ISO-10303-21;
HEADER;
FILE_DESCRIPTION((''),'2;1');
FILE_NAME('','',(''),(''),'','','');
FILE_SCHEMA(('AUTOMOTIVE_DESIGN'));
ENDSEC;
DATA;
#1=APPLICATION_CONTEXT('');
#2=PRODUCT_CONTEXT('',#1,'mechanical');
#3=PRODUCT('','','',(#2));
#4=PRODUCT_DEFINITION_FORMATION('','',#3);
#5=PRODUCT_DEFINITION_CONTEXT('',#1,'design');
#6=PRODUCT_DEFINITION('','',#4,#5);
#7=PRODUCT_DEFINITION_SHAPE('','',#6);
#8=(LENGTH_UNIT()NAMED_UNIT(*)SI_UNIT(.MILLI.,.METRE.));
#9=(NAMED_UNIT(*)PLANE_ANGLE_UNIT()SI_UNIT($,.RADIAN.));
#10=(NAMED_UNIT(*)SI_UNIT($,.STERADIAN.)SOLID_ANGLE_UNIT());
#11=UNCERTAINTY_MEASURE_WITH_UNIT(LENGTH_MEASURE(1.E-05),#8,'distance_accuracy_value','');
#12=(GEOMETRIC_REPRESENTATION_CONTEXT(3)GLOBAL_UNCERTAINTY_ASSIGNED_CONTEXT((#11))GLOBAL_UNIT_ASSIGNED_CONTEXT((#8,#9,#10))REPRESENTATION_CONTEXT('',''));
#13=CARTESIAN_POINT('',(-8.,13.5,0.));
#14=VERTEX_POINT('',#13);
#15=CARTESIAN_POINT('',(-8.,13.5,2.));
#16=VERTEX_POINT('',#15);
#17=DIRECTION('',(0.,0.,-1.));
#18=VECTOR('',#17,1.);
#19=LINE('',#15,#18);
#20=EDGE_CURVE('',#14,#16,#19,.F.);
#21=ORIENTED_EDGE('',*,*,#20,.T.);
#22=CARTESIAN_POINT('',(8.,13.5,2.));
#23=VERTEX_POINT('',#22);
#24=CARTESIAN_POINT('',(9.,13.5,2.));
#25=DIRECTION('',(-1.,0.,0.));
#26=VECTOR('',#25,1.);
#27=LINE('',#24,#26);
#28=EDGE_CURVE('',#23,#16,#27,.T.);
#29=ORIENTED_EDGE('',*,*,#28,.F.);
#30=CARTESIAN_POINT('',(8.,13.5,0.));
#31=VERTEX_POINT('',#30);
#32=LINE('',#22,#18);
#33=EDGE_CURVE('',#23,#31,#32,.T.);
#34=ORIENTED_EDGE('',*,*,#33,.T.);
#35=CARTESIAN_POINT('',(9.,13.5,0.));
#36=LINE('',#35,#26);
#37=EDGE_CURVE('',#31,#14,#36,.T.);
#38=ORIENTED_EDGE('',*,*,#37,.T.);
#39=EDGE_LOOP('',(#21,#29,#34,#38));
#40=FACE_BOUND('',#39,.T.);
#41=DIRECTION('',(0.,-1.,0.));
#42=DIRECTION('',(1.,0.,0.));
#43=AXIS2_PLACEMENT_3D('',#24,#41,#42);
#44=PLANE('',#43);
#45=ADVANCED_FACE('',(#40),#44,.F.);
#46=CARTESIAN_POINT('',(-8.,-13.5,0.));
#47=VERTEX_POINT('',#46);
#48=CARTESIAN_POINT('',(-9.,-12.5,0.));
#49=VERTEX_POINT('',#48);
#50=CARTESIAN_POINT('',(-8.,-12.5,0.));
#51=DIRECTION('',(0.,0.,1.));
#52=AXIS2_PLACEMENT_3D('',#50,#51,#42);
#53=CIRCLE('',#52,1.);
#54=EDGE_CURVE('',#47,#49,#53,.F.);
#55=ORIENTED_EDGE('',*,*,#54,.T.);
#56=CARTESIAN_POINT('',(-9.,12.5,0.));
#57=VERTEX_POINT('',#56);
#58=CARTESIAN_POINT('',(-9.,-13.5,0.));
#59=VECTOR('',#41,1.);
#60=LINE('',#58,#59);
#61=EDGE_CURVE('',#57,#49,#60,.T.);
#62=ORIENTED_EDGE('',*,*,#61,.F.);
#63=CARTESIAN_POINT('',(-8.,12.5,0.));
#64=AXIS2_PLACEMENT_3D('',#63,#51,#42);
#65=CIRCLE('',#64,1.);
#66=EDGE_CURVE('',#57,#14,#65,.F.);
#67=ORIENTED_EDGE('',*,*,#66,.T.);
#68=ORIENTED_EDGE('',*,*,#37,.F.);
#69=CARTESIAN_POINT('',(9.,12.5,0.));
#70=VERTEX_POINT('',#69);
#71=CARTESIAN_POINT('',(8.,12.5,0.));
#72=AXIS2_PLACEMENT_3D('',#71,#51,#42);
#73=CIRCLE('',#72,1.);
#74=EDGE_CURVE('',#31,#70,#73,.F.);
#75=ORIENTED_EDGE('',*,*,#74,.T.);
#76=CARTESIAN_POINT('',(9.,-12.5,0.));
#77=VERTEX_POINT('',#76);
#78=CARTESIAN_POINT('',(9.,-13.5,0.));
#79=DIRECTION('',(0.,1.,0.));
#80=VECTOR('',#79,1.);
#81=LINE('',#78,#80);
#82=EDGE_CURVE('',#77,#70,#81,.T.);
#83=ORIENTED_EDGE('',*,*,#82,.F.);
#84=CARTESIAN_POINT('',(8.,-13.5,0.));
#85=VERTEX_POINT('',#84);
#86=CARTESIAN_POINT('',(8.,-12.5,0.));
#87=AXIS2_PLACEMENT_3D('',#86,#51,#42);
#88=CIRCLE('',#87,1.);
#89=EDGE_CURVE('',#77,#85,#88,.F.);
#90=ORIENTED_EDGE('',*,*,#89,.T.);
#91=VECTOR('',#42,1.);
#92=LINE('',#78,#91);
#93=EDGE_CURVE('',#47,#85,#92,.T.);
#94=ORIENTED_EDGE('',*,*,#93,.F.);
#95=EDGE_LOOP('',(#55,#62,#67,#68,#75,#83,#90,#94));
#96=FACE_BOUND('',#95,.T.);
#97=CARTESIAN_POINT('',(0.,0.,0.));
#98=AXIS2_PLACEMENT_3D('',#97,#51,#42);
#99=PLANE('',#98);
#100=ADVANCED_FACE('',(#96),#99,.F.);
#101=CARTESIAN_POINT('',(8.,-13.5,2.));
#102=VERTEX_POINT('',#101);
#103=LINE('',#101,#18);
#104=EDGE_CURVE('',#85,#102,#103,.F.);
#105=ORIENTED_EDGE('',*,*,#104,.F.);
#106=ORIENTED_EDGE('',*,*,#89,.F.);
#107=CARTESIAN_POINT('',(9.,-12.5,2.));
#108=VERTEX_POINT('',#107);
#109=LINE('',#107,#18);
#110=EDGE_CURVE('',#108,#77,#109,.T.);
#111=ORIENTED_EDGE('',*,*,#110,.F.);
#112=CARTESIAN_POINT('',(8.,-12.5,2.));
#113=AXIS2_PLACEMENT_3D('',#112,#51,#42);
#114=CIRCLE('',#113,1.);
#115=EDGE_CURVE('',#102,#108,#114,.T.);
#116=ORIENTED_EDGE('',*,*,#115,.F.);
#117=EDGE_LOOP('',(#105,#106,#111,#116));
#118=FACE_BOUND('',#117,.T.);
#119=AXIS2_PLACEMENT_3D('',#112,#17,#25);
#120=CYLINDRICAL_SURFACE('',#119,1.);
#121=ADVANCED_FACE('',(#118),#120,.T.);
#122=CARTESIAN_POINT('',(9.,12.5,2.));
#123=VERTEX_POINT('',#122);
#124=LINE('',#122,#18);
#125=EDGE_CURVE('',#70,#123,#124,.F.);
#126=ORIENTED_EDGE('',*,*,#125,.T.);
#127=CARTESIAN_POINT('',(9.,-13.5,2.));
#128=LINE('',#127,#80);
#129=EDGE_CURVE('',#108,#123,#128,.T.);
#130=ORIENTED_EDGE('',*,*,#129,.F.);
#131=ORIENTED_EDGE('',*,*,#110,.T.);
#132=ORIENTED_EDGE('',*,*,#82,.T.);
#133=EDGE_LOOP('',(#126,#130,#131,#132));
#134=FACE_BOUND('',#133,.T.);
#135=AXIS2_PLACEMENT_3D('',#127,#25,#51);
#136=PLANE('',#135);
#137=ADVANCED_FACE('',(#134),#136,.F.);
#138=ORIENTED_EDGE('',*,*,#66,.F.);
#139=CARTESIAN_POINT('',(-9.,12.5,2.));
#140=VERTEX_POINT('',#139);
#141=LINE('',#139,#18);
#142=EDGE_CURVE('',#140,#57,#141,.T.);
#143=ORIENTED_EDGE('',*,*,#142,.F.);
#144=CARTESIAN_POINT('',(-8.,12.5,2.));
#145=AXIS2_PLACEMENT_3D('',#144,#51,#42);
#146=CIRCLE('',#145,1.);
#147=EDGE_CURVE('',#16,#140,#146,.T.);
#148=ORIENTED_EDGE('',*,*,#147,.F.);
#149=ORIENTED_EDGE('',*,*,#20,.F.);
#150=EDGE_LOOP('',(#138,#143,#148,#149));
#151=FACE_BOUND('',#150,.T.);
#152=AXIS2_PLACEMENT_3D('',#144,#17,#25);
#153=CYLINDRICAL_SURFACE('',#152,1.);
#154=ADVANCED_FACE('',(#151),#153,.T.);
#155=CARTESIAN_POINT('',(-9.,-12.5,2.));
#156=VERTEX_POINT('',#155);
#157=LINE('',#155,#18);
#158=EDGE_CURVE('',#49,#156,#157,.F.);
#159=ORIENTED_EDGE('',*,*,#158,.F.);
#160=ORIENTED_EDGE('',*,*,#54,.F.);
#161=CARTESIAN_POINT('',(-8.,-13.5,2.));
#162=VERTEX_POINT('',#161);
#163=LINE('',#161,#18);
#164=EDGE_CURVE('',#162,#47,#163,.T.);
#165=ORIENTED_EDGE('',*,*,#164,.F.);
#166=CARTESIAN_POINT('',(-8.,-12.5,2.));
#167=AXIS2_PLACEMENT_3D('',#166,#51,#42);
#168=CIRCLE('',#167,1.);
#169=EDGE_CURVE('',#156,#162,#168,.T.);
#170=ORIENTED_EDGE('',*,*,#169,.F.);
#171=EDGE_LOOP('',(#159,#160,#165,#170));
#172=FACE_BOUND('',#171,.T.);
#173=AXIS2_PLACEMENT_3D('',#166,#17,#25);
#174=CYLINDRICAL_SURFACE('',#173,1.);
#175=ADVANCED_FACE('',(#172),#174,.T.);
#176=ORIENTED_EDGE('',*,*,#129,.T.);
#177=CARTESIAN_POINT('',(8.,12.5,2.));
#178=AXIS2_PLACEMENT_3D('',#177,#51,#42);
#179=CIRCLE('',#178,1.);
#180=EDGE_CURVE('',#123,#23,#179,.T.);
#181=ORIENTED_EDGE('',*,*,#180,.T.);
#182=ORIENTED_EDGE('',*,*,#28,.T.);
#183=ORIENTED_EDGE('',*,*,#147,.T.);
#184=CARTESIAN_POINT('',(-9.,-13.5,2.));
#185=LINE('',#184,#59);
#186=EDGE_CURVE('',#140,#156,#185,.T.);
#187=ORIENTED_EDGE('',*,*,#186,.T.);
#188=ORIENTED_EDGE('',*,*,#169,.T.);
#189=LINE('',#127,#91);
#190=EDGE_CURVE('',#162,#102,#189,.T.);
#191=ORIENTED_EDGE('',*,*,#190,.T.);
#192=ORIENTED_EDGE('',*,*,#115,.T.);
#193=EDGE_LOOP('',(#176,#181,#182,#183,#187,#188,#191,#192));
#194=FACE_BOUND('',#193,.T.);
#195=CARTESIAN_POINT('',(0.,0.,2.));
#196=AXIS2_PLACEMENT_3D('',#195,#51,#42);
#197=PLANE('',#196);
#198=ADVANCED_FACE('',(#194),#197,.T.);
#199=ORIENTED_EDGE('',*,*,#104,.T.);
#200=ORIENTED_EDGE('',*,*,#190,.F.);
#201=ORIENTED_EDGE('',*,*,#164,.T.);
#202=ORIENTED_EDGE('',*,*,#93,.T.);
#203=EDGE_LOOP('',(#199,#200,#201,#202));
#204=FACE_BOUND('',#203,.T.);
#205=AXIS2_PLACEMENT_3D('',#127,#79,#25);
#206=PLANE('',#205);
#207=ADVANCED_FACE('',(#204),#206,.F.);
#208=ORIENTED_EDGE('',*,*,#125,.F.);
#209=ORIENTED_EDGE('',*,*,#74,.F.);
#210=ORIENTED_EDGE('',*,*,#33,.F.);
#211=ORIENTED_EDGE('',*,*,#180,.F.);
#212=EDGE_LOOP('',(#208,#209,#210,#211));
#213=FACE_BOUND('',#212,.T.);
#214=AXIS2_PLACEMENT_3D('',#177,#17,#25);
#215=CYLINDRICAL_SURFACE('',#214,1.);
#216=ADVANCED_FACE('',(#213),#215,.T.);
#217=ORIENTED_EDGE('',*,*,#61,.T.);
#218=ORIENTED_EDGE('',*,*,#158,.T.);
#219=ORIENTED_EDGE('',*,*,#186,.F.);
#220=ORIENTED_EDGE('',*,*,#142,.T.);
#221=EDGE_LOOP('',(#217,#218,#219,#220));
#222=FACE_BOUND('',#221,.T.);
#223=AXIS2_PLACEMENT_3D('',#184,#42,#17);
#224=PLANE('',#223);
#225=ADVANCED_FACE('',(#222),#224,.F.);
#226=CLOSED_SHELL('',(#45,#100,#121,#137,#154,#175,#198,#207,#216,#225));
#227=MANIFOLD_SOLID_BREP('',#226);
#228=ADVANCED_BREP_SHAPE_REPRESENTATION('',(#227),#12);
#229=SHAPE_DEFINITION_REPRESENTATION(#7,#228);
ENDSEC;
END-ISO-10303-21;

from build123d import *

# Parameters (mm, degrees)
SKETCH1_W  = 18
SKETCH1_H  = 27
BASE_DEPTH = 2
FILLET_2_R = 1


with BuildPart() as part:
    # Sketch1 → Base (new body)
    with BuildSketch(Plane.XY):
        Rectangle(SKETCH1_W, SKETCH1_H)
    extrude(amount=BASE_DEPTH)

    # Fillet 2
    fillet_2_edges = [part.edges().sort_by_distance(p)[0] for p in [
        (-9, 13.5, 1),
        (9, 13.5, 1),
        (9, -13.5, 1),
        (-9, -13.5, 1),
    ]]
    fillet(fillet_2_edges, radius=FILLET_2_R)


solid = part.part
